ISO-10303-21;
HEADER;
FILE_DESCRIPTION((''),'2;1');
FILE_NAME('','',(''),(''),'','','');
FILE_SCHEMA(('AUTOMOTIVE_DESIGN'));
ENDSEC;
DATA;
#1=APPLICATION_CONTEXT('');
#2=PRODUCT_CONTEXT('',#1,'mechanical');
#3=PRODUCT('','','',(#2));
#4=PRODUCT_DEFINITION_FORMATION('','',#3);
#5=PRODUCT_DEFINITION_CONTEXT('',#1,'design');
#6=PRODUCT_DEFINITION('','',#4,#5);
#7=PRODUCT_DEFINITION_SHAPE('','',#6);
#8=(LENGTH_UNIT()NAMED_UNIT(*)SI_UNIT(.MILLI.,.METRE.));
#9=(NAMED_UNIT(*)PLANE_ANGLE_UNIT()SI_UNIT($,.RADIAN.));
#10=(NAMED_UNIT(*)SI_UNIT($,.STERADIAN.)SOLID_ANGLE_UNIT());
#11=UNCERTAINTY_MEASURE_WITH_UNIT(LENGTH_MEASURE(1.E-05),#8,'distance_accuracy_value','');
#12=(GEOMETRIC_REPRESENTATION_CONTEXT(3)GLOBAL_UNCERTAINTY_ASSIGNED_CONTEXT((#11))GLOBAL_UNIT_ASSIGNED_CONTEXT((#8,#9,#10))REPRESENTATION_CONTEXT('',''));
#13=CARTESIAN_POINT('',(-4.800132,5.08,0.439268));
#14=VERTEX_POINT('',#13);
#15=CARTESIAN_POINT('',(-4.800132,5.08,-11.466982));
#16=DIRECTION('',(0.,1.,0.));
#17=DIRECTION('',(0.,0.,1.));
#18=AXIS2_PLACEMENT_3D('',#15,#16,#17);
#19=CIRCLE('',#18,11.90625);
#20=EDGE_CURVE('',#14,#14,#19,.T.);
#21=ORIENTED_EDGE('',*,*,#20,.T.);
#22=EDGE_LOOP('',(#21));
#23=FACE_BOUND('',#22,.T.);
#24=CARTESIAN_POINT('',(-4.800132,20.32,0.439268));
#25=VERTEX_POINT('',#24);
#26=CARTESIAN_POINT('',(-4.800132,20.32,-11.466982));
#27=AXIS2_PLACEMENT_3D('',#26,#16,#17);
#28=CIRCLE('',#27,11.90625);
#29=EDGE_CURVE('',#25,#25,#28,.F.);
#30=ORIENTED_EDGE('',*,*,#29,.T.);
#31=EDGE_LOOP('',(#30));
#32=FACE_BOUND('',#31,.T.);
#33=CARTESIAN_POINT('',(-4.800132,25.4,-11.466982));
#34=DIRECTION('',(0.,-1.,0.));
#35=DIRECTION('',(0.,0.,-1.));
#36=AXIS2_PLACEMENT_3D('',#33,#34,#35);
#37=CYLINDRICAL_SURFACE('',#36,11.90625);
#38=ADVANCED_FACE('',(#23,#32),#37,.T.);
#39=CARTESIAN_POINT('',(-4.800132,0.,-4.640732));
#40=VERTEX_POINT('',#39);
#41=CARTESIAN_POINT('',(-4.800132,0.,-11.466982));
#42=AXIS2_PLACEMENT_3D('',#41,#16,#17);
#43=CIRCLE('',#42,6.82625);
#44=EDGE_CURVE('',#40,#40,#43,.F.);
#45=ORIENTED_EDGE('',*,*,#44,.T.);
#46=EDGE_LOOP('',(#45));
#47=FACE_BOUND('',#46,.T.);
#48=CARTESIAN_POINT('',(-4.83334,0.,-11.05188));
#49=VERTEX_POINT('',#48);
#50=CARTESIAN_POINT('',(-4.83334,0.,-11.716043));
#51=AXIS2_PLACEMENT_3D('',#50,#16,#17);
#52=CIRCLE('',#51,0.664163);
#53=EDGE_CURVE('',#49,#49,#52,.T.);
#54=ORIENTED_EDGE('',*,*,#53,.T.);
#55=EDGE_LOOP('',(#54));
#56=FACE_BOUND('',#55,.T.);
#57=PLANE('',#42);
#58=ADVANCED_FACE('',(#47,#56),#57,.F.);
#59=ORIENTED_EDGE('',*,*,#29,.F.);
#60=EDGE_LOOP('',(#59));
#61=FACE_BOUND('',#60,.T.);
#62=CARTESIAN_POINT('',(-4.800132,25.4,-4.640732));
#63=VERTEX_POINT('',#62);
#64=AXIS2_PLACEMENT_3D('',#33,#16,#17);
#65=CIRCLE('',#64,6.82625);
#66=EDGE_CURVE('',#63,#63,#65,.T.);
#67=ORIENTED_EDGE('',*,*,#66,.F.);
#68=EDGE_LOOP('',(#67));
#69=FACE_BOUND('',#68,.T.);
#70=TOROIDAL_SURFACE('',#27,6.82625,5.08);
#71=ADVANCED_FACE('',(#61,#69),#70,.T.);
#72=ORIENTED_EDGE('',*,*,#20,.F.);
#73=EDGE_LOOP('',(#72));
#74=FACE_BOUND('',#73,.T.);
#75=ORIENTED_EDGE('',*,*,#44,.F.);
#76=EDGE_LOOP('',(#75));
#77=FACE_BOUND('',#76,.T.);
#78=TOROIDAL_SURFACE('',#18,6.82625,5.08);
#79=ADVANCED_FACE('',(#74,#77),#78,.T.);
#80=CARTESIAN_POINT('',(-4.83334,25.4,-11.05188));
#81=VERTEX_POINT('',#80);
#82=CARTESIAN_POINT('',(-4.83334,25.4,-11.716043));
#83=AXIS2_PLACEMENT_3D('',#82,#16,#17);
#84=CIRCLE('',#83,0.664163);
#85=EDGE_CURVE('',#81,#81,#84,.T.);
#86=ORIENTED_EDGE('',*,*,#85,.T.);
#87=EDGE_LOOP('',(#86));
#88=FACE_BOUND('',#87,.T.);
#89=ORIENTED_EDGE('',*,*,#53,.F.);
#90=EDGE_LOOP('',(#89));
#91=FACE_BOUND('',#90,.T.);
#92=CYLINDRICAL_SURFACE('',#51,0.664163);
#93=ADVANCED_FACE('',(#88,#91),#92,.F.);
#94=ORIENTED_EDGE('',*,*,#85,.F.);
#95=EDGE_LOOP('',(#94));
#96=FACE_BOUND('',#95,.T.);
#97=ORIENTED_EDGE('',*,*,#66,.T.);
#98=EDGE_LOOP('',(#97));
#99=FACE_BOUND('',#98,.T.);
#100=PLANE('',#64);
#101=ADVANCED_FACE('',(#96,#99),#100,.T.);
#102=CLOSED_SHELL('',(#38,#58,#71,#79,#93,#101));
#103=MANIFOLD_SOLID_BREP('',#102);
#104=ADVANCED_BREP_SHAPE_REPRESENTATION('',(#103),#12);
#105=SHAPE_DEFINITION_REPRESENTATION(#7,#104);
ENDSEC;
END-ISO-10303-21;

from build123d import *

# Parameters (mm, degrees)
SKETCH1_R           = 11.90625
BOSS_EXTRUDE1_DEPTH = 25.4
FILLET3_R           = 5.08
FILLET4_R           = 5.08
SKETCH2_R           = 0.664162981
CUT_EXTRUDE1_DEPTH  = 25.4


with BuildPart() as part:
    # Sketch1 → Boss-Extrude1 (new body)
    with BuildSketch(Plane(origin=(0, 0, 0), x_dir=(1, 0, 0), z_dir=(0, 1, 0))):
        with Locations((-4.800132003, 11.466982006)):
            Circle(SKETCH1_R)
    extrude(amount=BOSS_EXTRUDE1_DEPTH)

    # Fillet3
    fillet3_edges = [part.edges().sort_by_distance(p)[0] for p in [
        (-16.706382003, 25.4, -11.466982006),
    ]]
    fillet(fillet3_edges, radius=FILLET3_R)

    # Fillet4
    fillet4_edges = [part.edges().sort_by_distance(p)[0] for p in [
        (-16.706382003, 0, -11.466982006),
    ]]
    fillet(fillet4_edges, radius=FILLET4_R)

    # Sketch2 → Cut-Extrude1 (cut)
    with BuildSketch(Plane(origin=(0, 25.4, 0), x_dir=(1, 0, 0), z_dir=(0, 1, 0))):
        with Locations((-4.833340152, 11.716043124)):
            Circle(SKETCH2_R)
    extrude(amount=-CUT_EXTRUDE1_DEPTH, mode=Mode.SUBTRACT)


solid = part.part
